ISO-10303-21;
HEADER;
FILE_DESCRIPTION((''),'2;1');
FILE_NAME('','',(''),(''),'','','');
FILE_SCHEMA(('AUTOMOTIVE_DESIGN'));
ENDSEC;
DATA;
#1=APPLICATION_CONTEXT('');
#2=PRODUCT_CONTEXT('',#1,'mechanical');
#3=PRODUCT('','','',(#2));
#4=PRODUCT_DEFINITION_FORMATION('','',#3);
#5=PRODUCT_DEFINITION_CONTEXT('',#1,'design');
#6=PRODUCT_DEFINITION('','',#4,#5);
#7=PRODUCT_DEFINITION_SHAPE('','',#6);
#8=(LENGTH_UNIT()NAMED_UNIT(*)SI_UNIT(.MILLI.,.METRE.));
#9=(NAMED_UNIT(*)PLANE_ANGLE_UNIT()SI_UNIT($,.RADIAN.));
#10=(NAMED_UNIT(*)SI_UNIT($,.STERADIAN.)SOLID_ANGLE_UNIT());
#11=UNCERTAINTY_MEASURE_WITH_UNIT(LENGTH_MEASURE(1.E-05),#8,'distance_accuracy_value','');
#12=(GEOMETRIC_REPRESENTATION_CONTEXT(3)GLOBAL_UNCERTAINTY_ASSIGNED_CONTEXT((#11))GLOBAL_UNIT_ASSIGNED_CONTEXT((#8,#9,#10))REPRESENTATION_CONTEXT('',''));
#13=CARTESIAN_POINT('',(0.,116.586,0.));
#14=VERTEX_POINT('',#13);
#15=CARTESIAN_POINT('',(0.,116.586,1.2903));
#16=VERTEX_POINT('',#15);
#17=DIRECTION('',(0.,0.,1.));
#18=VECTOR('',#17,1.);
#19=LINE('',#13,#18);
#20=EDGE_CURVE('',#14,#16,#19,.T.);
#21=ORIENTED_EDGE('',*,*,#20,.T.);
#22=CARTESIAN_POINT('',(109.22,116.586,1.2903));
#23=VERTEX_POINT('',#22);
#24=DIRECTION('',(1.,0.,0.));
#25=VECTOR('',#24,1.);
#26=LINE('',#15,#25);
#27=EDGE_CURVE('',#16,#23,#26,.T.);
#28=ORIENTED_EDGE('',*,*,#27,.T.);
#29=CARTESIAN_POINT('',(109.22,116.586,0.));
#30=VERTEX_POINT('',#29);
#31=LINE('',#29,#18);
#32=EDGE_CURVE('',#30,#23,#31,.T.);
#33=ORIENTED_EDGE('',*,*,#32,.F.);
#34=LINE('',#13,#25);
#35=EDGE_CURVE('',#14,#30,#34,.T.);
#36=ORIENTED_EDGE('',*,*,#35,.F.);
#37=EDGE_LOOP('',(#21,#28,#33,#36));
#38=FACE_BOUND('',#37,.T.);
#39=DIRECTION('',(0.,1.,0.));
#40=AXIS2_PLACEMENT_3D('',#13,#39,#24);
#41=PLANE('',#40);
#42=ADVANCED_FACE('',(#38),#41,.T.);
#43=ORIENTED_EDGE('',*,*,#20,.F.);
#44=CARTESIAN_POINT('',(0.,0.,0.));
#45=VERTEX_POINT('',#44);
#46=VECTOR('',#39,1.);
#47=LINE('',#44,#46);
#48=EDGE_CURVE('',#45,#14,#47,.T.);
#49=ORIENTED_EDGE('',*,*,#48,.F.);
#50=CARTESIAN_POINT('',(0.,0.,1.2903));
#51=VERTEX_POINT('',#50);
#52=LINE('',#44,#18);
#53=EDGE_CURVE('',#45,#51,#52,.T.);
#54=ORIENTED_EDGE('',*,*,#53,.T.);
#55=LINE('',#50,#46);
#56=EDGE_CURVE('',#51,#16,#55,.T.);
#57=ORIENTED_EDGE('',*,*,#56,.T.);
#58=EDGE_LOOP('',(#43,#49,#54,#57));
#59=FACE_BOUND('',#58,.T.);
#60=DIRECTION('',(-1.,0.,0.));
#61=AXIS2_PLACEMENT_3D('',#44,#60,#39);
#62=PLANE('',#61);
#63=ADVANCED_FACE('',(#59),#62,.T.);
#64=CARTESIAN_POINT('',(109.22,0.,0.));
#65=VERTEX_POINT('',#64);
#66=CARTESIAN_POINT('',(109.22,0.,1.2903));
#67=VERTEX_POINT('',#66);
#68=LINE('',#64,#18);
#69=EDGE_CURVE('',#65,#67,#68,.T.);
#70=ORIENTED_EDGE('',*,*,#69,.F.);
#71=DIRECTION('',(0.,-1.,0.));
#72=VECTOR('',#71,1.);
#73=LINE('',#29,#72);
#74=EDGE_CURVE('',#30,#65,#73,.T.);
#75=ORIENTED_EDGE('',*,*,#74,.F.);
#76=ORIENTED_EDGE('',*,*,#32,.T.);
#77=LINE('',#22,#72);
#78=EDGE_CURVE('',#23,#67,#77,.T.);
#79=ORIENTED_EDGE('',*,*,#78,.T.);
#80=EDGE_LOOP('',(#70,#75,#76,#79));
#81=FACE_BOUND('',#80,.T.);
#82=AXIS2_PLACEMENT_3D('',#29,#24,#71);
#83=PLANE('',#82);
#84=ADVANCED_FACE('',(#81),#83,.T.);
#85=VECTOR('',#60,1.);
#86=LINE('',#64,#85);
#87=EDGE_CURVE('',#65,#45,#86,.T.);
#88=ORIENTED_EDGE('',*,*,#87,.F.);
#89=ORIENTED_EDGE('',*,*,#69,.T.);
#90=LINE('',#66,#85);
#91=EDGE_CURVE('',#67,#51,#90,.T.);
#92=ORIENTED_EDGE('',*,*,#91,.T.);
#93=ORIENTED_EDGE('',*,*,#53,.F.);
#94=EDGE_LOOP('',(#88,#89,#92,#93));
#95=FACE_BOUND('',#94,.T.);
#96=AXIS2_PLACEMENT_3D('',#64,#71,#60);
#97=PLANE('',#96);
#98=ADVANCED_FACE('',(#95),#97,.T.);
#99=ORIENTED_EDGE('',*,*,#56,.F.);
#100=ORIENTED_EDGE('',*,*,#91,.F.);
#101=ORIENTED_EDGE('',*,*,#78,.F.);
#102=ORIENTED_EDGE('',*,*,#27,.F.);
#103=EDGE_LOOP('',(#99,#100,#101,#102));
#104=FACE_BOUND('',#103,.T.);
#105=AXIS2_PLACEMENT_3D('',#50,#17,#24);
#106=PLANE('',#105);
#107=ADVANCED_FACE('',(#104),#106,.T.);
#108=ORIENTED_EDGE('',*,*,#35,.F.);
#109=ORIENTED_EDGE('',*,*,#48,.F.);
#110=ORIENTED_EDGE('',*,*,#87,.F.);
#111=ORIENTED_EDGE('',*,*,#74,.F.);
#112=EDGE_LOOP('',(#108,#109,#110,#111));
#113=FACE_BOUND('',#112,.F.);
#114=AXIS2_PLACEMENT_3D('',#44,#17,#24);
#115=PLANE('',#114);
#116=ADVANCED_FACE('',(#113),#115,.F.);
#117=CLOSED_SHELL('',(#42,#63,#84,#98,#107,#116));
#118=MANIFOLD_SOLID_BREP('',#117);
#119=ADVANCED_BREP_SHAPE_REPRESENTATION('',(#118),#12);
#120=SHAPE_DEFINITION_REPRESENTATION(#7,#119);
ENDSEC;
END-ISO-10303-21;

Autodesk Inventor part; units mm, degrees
ref_plane "YZ Plane" through (0, 0, 0) normal (1, 0, 0) x (0, 1, 0)
ref_plane "XZ Plane" through (0, 0, 0) normal (0, 1, 0) x (-1, 0, 0)
ref_plane "XY Plane" through (0, 0, 0) normal (0, 0, 1) x (1, 0, 0)
sketch "Sketch1" plane through (0, 0, 0) normal (0, 0, 1) x (1, 0, 0)
  line L0 (0, 0) -> (0, 116.586)
  line L1 (0, 116.586) -> (109.22, 116.586)
  line L2 (109.22, 116.586) -> (109.22, 0)
  line L3 (109.22, 0) -> (0, 0)
  dimension "d0" = 109.22
  dimension "d1" = 116.586
extrude "Extrusion1" add sketch "Sketch1" along normal blind 1.2903
properties part number "Chassis_Alu" material "Aluminum 6061"
